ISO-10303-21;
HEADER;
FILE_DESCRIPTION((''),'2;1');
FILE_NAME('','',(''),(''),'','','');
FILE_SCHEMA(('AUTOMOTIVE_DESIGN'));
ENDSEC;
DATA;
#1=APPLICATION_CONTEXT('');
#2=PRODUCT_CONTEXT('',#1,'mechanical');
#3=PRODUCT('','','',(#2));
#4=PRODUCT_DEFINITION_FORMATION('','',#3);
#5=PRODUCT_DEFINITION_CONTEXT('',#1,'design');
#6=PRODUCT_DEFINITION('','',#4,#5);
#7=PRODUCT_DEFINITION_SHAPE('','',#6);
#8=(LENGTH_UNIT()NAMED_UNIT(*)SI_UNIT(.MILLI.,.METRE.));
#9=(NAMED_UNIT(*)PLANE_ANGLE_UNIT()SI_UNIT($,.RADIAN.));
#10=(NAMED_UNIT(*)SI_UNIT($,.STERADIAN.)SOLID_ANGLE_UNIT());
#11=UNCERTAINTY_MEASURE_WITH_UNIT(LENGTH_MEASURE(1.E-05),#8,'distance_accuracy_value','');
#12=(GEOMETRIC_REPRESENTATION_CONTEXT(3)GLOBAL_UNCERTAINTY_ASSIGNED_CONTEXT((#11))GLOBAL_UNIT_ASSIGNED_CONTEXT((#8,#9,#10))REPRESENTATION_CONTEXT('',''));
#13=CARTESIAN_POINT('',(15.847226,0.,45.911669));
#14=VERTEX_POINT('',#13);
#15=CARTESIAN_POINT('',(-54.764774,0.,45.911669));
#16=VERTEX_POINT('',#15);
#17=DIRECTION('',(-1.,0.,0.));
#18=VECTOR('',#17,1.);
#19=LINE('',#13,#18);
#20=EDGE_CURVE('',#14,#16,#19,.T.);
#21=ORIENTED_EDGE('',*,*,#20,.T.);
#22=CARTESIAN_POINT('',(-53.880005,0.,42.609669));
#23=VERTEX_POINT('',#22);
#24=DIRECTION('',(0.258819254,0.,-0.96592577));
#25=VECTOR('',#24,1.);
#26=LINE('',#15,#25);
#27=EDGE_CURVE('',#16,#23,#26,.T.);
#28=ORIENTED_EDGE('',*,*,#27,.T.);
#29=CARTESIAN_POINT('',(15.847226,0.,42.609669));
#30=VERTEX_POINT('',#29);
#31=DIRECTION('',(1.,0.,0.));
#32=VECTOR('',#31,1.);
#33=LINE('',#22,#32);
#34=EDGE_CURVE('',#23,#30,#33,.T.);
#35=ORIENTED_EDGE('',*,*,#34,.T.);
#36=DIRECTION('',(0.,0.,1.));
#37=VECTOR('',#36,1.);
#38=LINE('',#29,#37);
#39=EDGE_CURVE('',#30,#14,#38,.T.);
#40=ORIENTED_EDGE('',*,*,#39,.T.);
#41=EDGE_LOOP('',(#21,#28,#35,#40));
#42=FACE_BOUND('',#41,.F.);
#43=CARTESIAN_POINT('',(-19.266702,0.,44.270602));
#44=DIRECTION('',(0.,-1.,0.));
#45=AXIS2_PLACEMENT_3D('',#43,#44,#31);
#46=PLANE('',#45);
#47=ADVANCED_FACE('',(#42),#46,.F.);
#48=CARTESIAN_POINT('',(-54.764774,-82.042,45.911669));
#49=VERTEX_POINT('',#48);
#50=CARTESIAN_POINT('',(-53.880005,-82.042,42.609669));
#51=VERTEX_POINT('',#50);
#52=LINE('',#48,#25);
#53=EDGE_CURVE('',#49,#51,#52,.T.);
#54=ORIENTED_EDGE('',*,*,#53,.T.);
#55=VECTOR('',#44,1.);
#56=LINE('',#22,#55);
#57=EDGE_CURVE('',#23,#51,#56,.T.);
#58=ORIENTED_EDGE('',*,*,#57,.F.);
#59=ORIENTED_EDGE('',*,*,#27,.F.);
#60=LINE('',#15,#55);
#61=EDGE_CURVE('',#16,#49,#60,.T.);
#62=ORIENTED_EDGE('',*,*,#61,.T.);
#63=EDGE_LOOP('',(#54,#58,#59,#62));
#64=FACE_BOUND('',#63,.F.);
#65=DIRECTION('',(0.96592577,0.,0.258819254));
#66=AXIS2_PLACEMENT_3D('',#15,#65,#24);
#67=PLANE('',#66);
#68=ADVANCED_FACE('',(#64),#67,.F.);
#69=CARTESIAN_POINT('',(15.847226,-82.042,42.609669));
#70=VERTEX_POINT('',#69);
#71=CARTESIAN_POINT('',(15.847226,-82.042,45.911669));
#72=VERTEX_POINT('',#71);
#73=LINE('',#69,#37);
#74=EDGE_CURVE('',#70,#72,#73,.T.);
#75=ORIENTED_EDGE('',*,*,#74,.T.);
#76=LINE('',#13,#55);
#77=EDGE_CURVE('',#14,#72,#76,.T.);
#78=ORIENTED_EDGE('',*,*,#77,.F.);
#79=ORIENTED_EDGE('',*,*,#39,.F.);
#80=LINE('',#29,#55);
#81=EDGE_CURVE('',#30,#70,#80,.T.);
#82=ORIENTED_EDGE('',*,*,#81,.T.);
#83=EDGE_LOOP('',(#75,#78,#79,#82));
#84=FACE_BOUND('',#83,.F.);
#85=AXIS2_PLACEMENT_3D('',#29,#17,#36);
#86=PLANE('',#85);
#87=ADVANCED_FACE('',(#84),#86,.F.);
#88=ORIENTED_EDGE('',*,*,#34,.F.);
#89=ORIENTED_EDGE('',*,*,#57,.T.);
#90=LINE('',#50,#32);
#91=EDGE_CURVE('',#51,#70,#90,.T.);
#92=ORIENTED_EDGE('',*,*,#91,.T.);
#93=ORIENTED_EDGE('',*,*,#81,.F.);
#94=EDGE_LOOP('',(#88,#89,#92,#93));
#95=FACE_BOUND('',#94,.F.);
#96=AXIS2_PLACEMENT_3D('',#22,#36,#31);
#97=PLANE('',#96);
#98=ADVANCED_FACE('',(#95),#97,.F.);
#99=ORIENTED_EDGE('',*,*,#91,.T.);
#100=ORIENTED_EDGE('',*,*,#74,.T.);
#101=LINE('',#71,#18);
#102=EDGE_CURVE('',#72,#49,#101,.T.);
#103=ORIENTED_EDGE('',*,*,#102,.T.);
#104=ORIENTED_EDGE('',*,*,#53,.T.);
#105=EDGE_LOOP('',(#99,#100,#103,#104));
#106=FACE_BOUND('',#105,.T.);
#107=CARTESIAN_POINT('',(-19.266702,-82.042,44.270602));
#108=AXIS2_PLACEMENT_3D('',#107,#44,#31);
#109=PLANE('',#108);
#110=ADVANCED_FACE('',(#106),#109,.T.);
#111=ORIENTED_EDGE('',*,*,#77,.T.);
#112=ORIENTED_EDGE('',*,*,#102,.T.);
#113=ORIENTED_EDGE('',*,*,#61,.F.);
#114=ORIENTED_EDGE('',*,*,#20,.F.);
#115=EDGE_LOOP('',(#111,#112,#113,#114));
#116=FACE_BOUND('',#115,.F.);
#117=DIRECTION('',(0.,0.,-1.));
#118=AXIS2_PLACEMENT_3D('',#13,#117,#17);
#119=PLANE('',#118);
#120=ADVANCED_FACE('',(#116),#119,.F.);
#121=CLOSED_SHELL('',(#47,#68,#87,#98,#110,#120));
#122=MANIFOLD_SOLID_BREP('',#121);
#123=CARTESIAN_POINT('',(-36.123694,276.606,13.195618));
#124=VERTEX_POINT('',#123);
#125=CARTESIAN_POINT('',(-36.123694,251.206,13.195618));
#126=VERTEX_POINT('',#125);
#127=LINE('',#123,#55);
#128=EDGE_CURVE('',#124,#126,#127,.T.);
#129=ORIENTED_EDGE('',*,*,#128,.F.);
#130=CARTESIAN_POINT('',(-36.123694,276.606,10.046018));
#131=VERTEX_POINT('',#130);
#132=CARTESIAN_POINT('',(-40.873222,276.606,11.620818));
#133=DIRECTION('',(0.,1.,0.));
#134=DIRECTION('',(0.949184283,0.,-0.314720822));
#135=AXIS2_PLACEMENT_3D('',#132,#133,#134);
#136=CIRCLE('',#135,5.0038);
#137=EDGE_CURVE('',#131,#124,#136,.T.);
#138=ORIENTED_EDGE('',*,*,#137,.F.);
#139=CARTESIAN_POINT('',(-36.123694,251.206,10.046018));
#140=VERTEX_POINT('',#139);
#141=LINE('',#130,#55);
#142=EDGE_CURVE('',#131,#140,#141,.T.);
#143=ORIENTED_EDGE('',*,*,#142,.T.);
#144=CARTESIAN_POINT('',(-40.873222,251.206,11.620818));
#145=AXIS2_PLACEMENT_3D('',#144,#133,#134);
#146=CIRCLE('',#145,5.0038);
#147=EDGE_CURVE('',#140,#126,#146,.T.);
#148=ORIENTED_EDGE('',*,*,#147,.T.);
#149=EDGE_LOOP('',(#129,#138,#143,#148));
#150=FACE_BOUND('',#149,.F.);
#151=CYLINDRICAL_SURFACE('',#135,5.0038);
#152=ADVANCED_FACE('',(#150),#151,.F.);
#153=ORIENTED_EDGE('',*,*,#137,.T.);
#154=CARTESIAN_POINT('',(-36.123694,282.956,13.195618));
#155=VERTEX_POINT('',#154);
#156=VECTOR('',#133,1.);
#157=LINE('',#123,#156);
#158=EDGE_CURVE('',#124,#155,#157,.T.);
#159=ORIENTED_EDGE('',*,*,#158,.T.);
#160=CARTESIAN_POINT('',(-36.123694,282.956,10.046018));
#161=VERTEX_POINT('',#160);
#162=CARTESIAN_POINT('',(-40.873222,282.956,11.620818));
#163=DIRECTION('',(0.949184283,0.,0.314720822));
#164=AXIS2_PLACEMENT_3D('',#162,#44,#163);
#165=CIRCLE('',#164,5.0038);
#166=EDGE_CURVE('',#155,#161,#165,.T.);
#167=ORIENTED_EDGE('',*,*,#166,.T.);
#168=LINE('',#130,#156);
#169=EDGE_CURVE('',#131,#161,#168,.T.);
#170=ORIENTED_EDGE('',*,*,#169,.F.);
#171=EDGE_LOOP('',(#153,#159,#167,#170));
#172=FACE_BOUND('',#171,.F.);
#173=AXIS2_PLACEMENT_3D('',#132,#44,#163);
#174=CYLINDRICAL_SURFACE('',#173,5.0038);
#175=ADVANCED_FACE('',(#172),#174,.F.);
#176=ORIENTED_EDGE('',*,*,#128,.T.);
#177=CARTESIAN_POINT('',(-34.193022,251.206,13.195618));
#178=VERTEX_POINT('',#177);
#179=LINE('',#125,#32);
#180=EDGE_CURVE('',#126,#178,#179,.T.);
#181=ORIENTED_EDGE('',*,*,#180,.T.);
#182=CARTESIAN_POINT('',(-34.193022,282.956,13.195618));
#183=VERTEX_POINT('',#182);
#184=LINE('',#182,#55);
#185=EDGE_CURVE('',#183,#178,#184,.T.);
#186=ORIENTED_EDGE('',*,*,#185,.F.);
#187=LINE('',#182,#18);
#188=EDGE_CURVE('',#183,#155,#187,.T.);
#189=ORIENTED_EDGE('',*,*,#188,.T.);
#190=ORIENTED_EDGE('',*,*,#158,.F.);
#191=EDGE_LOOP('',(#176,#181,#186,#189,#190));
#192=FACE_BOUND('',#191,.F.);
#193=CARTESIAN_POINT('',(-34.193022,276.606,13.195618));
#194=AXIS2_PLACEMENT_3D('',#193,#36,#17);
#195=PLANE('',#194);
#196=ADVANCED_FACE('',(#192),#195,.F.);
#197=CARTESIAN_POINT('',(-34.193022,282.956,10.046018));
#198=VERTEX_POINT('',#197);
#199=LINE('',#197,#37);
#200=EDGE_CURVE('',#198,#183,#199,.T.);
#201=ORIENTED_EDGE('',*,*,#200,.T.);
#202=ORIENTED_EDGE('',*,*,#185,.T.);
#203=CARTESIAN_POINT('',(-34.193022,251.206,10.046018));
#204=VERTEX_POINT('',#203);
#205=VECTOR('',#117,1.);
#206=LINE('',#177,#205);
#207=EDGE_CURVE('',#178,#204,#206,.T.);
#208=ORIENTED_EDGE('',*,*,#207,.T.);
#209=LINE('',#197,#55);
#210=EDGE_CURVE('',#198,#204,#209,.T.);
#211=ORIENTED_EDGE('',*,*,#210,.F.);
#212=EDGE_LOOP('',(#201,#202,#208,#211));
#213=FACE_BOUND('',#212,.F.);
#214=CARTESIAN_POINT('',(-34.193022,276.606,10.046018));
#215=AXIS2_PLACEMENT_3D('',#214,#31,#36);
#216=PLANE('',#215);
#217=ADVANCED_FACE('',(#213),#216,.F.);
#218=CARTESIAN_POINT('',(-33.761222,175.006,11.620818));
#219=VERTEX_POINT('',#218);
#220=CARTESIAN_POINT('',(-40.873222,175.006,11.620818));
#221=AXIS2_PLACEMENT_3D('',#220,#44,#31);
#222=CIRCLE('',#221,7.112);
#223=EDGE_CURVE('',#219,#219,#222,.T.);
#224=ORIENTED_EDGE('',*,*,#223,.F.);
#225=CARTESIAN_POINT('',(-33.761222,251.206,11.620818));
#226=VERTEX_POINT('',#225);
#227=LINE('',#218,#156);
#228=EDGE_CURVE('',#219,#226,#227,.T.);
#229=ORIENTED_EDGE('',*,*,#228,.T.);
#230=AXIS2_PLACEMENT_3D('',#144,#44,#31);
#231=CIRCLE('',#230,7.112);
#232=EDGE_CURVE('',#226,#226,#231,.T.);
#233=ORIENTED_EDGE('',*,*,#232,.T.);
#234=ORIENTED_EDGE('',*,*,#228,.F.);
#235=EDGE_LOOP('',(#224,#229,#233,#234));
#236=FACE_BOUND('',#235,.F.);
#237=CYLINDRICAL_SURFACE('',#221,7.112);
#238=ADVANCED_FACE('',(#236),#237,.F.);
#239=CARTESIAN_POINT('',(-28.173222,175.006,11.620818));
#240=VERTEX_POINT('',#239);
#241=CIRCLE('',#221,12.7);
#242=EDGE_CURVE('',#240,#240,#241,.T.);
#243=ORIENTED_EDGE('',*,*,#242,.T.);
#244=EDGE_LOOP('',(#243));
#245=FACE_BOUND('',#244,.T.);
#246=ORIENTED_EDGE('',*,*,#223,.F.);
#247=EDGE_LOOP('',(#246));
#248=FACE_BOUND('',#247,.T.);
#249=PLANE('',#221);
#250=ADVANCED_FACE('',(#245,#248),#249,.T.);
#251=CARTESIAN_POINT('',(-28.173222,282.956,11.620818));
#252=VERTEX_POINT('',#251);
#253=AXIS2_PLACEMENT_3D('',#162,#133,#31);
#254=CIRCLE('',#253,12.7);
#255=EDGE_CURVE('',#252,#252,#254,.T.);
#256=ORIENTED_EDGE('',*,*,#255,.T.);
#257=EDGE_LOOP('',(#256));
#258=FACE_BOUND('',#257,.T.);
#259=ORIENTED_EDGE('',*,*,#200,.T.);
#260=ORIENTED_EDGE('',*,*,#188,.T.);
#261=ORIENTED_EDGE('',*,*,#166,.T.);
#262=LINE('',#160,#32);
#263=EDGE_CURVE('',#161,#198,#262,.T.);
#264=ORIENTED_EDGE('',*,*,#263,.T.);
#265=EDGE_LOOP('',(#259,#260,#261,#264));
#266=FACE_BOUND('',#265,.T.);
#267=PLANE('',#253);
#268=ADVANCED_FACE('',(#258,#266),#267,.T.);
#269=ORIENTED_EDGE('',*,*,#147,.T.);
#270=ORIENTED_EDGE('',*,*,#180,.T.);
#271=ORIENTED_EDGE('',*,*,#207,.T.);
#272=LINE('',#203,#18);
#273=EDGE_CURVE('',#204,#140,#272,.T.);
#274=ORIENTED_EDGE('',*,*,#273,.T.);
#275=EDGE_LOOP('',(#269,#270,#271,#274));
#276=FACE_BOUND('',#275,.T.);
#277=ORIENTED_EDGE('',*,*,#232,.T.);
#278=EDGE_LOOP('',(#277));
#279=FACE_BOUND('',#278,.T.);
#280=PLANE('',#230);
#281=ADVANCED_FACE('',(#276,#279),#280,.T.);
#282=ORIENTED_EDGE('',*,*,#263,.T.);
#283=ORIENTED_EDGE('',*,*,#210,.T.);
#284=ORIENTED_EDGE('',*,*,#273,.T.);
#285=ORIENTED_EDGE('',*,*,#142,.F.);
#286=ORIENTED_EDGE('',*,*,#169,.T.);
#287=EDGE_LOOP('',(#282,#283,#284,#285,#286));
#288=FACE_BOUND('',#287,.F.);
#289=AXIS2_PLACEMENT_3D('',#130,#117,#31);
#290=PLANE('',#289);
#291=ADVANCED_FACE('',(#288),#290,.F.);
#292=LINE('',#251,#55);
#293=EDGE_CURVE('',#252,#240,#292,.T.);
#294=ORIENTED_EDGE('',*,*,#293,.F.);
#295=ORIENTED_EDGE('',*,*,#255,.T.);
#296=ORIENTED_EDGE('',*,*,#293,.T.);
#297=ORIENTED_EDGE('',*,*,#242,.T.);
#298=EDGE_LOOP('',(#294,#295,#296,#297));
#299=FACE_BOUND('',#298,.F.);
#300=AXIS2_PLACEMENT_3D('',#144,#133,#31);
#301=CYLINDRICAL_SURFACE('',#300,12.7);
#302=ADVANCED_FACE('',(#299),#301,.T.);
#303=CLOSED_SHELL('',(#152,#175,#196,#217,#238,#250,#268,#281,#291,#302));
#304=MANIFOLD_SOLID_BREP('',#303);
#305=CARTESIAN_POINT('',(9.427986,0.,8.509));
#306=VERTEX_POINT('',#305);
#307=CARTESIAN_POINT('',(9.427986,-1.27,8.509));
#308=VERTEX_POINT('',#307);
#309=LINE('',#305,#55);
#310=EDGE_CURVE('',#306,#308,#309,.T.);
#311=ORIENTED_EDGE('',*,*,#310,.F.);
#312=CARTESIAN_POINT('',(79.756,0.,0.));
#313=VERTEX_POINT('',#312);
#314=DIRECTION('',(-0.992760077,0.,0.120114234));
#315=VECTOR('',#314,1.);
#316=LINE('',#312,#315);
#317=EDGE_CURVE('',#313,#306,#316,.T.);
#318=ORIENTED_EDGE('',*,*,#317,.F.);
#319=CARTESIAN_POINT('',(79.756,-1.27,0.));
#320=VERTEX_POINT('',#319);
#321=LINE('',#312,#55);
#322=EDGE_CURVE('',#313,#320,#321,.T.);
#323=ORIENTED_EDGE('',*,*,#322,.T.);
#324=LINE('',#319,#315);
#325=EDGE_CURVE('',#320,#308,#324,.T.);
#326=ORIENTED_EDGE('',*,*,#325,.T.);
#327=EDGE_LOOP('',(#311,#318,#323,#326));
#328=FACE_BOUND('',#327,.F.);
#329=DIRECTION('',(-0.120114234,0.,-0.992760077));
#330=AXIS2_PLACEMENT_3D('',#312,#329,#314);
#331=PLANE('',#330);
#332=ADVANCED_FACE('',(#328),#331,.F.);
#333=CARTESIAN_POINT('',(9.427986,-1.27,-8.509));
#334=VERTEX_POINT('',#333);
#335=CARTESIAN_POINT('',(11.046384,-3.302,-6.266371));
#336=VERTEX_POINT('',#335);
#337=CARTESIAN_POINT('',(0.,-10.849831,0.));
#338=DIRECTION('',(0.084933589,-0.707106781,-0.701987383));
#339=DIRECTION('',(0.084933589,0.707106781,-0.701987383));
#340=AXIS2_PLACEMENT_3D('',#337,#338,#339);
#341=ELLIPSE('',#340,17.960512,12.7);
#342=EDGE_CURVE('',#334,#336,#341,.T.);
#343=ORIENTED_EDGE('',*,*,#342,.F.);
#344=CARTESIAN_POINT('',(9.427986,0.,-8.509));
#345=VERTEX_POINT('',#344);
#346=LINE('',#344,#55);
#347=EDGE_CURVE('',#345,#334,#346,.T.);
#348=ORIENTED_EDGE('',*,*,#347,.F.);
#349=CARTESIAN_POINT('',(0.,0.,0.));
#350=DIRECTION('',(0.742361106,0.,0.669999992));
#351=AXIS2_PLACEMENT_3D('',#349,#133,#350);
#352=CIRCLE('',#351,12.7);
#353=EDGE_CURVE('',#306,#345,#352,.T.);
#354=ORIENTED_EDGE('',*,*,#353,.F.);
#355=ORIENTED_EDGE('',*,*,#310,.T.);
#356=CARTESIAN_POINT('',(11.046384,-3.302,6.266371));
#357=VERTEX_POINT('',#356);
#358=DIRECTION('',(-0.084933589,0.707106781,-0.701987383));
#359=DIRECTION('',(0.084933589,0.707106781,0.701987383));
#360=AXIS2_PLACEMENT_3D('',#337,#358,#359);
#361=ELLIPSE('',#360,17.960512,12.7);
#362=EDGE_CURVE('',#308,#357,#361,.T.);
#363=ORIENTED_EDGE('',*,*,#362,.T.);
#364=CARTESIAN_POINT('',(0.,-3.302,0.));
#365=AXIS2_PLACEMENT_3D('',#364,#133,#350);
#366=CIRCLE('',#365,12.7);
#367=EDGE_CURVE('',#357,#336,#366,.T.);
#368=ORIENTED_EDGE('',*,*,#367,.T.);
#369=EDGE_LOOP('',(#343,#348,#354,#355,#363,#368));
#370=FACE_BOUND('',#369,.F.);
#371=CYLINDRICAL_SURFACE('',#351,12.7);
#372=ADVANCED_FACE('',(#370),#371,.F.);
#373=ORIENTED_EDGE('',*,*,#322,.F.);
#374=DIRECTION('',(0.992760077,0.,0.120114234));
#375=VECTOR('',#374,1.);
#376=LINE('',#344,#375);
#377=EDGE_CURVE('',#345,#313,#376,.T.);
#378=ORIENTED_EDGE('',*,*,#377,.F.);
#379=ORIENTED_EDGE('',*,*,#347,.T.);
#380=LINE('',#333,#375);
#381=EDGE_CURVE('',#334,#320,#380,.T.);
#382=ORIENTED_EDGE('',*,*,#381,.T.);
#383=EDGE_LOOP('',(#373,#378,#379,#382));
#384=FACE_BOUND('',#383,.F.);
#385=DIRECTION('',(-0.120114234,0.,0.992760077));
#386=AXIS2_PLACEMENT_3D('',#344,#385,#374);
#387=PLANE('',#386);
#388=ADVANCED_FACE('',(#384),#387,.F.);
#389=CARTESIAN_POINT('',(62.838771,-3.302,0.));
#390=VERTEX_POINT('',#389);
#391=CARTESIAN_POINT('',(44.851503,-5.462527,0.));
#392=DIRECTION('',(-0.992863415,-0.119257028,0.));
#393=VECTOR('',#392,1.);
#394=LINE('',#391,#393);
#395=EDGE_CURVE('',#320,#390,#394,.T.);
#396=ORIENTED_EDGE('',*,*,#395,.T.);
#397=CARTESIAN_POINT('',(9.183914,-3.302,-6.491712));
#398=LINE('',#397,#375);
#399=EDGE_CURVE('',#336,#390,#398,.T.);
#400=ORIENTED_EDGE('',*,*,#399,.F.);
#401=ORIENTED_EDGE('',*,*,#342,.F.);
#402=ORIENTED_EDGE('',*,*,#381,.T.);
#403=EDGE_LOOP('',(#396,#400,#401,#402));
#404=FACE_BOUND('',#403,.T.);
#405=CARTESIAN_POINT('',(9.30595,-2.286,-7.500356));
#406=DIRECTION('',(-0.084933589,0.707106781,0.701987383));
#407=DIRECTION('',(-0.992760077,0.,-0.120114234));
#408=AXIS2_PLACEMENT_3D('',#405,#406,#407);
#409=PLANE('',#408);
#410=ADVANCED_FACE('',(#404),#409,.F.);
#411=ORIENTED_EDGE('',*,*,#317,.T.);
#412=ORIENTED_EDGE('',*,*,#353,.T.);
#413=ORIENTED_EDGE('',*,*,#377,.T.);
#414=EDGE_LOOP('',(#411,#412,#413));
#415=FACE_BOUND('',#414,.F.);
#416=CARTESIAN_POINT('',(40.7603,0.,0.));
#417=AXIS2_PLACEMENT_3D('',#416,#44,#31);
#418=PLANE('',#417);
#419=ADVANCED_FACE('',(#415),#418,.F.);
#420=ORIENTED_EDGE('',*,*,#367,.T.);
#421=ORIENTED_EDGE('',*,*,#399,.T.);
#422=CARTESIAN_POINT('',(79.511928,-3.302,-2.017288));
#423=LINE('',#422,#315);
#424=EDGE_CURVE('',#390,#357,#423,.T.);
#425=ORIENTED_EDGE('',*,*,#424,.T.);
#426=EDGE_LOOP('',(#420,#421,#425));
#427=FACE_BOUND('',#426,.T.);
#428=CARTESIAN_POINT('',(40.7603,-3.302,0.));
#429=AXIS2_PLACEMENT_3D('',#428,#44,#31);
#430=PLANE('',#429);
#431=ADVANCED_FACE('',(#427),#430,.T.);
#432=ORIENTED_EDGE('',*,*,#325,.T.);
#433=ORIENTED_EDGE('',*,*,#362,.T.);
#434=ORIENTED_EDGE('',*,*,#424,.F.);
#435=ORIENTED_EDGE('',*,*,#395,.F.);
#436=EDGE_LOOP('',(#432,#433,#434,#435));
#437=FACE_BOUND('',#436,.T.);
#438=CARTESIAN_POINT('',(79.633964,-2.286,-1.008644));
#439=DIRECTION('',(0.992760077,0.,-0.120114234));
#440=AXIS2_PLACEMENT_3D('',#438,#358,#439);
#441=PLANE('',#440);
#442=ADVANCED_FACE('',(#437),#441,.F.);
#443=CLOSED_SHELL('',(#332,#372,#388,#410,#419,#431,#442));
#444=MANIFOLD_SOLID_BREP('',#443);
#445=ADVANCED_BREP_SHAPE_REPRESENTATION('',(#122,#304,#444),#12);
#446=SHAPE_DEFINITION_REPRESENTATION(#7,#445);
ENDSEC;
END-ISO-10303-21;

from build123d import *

# Parameters (mm, degrees)
F1_DEPTH  = 82.042
F2_R      = 12.7
F3_DEPTH  = 25.4
F5_DEPTH  = 3.302
F6_SIZE   = 2.032
F3_FACE_R = 12.7
F7_DEPTH  = 6.35
F9_R      = 12.7
F10_DEPTH = 76.2
F11_R     = 7.112
F12_DEPTH = 76.2


with BuildPart() as f1:
    # F0 (on Front) → F1 (new body)
    with BuildSketch(Plane.XZ):
        Polygon((-54.764774, 45.911669), (-53.880005, 42.609669), (15.847226, 42.609669), (15.847226, 45.911669), align=None)
    extrude(amount=F1_DEPTH)


with BuildPart() as f3:
    # F2 (on Front) → F3 (new body)
    with BuildSketch(Plane.XZ):
        with Locations((-40.873222, 11.620818)):
            Circle(F2_R)
        with BuildLine():
            ThreePointArc((-36.123694, 10.046018), (-45.877022, 11.620818), (-36.123694, 13.195618))
            Line((-36.123694, 13.195618), (-34.193022, 13.195618))
            Line((-34.193022, 13.195618), (-34.193022, 11.620818))
            Line((-34.193022, 11.620818), (-34.193022, 10.046018))
            Line((-34.193022, 10.046018), (-36.123694, 10.046018))
        make_face(mode=Mode.SUBTRACT)
    extrude(amount=F3_DEPTH)

    # F3_face (on face) → F7 (join)
    with BuildSketch(Plane(origin=(-40.94931, 0, 11.620818), x_dir=(1, 0, 0), z_dir=(0, 1, 0))):
        with Locations((0.076088, 0)):
            Circle(F3_FACE_R)
        with BuildLine():
            ThreePointArc((4.825616, -1.5748), (-4.927712, 0), (4.825616, 1.5748))
            Line((4.825616, 1.5748), (6.756288, 1.5748))
            Line((6.756288, 1.5748), (6.756288, -1.5748))
            Line((6.756288, -1.5748), (4.825616, -1.5748))
        make_face(mode=Mode.SUBTRACT)
    extrude(amount=F7_DEPTH)


with BuildPart() as f5:
    # F4 (on Front) → F5 (new body)
    with BuildSketch(Plane.XZ):
        with BuildLine():
            ThreePointArc((9.427986, 8.509), (12.7, 0), (9.427986, -8.509))
            Line((9.427986, -8.509), (79.756, 0))
            Line((79.756, 0), (9.427986, 8.509))
        make_face()
    extrude(amount=F5_DEPTH)

    # F6
    f6_edges = [f5.edges().sort_by_distance(p)[0] for p in [
        (44.591993, -3.302, 4.2545),
        (44.591993, -3.302, -4.2545),
    ]]
    chamfer(f6_edges, length=F6_SIZE)


with BuildPart() as f3_1:
    # F8: moved
    add(f3.part.moved(Location((0, 276.606, 0))))

    # F9 (on face) → F10 (join)
    with BuildSketch(Plane.XZ.offset(-251.206)):
        with Locations((-40.873222, 11.620818)):
            Circle(F9_R)
    extrude(amount=F10_DEPTH)

    # F11 (on face) → F12 (cut)
    with BuildSketch(Plane.XZ.offset(-175.006)):
        with Locations((-40.873222, 11.620818)):
            Circle(F11_R)
    extrude(amount=-F12_DEPTH, mode=Mode.SUBTRACT)


solid = Compound([f1.part, f5.part, f3_1.part])
